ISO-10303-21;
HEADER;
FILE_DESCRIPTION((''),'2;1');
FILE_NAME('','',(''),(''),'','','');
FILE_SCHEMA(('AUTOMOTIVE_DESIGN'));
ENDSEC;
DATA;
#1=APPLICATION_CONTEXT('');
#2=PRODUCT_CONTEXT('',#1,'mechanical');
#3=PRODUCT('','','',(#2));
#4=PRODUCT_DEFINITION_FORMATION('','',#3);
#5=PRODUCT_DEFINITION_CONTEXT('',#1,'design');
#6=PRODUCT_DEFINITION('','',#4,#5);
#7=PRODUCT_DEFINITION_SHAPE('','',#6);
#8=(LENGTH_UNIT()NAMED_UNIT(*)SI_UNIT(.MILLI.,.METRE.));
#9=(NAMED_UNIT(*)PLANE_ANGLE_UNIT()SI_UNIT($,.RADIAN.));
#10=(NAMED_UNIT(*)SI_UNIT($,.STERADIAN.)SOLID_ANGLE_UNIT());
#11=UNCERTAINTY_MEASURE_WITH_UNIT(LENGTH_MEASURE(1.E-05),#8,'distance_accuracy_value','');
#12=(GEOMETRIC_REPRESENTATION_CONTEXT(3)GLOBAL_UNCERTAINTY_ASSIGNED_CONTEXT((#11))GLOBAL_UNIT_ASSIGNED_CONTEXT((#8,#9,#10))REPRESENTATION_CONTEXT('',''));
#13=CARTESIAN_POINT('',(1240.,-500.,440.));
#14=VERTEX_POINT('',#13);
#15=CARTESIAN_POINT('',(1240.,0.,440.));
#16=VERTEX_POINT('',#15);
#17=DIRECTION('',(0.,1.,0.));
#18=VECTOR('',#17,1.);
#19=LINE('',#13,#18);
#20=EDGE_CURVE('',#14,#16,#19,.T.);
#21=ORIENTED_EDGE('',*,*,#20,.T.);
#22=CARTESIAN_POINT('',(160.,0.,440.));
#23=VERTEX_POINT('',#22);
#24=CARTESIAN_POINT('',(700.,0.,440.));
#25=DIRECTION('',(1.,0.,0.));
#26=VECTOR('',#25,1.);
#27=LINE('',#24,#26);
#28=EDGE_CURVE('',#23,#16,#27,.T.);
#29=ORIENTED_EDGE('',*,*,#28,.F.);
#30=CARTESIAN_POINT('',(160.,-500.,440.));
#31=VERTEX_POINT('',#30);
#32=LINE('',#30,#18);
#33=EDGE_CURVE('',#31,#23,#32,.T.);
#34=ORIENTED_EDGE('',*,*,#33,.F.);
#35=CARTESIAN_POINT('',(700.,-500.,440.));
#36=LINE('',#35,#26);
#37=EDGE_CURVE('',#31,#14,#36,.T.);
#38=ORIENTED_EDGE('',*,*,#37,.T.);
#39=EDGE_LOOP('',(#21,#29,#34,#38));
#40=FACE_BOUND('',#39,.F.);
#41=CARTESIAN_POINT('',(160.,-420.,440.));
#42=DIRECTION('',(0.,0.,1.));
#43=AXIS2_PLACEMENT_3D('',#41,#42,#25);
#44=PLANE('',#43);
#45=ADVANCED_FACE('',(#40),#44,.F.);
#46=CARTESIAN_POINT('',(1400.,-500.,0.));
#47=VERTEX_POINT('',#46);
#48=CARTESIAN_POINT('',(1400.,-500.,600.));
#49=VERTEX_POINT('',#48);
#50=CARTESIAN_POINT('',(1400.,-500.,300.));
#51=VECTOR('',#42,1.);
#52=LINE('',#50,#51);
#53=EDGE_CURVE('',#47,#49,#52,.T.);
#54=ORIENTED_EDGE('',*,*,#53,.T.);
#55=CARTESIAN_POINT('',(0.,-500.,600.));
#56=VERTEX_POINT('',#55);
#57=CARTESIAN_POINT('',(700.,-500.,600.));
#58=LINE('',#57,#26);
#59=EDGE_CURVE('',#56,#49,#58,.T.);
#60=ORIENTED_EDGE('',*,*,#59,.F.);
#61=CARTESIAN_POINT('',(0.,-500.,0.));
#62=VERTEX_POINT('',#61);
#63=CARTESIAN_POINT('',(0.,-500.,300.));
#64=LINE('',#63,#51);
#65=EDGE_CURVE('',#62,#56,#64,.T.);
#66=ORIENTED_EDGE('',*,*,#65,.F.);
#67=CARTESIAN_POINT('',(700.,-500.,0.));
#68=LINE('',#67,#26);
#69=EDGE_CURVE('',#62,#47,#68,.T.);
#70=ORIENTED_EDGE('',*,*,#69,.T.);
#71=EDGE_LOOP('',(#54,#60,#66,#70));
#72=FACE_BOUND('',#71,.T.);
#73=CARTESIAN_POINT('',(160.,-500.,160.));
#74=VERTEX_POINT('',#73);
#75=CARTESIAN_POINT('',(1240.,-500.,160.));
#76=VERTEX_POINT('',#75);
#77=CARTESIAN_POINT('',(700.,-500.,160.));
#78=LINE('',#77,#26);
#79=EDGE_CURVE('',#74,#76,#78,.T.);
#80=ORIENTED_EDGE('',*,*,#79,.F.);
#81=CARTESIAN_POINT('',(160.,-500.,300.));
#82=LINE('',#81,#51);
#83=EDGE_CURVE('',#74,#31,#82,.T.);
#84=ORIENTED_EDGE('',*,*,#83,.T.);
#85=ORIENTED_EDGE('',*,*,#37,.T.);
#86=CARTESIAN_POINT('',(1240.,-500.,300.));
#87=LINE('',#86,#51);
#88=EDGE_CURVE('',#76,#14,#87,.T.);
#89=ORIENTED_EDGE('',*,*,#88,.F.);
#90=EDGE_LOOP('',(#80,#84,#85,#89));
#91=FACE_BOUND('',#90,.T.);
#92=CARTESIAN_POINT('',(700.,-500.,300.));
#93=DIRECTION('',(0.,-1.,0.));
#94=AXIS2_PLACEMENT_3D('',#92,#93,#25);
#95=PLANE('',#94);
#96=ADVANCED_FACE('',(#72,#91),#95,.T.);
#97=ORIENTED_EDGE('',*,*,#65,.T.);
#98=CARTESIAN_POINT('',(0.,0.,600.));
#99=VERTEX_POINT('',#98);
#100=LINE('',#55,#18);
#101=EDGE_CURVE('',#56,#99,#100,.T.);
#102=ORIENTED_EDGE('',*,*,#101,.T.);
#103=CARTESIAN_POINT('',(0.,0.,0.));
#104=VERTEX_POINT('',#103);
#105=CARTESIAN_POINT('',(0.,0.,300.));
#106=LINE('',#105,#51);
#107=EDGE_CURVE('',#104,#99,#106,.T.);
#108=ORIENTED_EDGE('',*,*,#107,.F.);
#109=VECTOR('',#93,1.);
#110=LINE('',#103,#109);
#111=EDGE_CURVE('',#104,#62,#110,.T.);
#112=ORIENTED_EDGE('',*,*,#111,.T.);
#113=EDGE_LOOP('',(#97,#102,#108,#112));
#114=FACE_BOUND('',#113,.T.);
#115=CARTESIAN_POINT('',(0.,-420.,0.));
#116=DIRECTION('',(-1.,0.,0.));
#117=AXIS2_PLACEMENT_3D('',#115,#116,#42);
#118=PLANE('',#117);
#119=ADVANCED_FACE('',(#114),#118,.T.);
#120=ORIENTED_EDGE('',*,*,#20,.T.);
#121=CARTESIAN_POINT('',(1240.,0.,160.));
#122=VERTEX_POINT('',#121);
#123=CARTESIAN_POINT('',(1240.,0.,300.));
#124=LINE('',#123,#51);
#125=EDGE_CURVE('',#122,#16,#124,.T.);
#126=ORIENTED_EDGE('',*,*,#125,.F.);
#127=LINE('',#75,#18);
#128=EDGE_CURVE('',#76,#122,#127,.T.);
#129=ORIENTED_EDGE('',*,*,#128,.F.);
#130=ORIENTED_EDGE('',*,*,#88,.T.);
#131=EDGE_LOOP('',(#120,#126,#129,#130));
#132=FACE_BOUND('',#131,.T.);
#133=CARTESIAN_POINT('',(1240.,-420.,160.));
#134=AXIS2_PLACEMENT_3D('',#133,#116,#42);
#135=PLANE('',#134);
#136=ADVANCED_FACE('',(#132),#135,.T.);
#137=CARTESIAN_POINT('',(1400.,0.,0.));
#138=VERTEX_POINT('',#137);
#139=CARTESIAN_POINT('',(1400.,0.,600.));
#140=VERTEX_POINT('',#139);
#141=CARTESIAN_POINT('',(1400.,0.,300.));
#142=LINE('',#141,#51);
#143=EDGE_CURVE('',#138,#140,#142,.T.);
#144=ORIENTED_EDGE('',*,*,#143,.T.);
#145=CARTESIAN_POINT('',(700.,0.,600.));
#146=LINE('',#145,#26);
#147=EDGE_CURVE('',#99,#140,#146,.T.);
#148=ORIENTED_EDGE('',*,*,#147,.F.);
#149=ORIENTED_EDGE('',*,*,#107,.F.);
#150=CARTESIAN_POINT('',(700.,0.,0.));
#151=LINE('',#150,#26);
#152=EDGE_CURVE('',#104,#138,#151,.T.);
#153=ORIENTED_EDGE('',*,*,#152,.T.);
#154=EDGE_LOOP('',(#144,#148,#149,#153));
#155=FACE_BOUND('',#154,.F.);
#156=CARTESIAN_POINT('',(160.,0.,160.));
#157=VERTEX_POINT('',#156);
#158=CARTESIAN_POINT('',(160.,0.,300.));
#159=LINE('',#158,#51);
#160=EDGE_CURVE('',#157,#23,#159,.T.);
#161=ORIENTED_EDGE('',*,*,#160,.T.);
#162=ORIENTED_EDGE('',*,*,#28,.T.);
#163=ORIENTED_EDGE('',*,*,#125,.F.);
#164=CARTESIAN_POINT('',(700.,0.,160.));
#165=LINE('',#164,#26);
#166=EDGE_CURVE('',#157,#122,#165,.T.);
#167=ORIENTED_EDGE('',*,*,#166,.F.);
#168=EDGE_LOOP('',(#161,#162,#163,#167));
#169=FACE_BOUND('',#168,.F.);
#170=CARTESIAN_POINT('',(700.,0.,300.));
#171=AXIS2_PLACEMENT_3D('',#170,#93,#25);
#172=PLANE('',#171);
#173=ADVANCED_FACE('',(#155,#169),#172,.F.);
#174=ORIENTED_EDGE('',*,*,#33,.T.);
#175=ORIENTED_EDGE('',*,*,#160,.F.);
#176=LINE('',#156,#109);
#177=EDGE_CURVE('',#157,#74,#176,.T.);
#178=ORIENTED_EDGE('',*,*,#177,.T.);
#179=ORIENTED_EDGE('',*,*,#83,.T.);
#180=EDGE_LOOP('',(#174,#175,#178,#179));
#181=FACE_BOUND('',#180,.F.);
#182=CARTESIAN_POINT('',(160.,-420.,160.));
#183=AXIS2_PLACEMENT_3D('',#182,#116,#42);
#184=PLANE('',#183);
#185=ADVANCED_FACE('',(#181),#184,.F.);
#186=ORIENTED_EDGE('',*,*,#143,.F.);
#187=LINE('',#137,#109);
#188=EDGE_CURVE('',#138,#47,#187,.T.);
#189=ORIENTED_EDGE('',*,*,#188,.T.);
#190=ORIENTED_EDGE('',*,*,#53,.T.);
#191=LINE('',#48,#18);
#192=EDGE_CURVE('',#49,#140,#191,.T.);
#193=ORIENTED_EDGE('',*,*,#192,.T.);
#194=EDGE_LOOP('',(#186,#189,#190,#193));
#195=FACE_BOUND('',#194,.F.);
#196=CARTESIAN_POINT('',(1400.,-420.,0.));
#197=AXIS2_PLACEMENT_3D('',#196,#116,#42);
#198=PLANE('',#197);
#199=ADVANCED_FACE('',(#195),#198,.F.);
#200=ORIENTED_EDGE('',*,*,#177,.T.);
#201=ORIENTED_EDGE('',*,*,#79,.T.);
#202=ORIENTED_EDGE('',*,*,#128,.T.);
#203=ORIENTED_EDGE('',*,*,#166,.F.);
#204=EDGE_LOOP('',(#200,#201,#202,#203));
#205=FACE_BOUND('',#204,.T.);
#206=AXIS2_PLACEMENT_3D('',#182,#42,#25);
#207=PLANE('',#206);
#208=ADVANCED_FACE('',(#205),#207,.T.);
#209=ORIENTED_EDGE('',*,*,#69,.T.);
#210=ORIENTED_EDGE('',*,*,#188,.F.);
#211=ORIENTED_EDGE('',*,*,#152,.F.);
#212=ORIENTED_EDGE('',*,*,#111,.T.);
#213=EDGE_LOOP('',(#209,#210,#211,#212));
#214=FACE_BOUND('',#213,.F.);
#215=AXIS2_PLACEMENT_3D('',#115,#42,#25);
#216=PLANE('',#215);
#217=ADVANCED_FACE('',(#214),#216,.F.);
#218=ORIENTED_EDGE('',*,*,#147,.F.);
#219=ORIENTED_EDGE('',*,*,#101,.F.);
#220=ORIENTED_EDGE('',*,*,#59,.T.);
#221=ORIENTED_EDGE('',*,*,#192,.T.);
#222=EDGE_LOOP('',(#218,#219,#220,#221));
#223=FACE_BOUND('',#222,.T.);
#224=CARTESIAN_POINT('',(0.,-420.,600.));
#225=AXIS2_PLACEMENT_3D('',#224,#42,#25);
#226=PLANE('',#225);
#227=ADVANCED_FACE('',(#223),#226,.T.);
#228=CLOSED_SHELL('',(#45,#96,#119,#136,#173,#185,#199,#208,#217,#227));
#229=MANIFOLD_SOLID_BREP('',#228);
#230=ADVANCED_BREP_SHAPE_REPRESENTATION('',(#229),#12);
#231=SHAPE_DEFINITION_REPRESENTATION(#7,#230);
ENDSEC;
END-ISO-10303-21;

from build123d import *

# Parameters (mm, degrees)
F0_W        = 1400
F0_H        = 600
F0_W_2      = 1080
F0_H_2      = 280
F1_DEPTH    = 420
F1_FACE_W   = 1400
F1_FACE_H   = 600
F1_FACE_W_2 = 1080
F1_FACE_H_2 = 280
F2_DEPTH    = 80


with BuildPart() as f1:
    # F0 (on Front) → F1 (new body)
    with BuildSketch(Plane.XZ):
        with Locations((700, 300)):
            Rectangle(F0_W, F0_H)
        with Locations((700, 300)):
            Rectangle(F0_W_2, F0_H_2, mode=Mode.SUBTRACT)
    extrude(amount=F1_DEPTH)

    # F1_face (on face) → F2 (join)
    with BuildSketch(Plane(origin=(700, -420, 300), x_dir=(1, 0, 0), z_dir=(0, -1, 0))):
        Rectangle(F1_FACE_W, F1_FACE_H)
        Rectangle(F1_FACE_W_2, F1_FACE_H_2, mode=Mode.SUBTRACT)
    extrude(amount=F2_DEPTH)


solid = f1.part
